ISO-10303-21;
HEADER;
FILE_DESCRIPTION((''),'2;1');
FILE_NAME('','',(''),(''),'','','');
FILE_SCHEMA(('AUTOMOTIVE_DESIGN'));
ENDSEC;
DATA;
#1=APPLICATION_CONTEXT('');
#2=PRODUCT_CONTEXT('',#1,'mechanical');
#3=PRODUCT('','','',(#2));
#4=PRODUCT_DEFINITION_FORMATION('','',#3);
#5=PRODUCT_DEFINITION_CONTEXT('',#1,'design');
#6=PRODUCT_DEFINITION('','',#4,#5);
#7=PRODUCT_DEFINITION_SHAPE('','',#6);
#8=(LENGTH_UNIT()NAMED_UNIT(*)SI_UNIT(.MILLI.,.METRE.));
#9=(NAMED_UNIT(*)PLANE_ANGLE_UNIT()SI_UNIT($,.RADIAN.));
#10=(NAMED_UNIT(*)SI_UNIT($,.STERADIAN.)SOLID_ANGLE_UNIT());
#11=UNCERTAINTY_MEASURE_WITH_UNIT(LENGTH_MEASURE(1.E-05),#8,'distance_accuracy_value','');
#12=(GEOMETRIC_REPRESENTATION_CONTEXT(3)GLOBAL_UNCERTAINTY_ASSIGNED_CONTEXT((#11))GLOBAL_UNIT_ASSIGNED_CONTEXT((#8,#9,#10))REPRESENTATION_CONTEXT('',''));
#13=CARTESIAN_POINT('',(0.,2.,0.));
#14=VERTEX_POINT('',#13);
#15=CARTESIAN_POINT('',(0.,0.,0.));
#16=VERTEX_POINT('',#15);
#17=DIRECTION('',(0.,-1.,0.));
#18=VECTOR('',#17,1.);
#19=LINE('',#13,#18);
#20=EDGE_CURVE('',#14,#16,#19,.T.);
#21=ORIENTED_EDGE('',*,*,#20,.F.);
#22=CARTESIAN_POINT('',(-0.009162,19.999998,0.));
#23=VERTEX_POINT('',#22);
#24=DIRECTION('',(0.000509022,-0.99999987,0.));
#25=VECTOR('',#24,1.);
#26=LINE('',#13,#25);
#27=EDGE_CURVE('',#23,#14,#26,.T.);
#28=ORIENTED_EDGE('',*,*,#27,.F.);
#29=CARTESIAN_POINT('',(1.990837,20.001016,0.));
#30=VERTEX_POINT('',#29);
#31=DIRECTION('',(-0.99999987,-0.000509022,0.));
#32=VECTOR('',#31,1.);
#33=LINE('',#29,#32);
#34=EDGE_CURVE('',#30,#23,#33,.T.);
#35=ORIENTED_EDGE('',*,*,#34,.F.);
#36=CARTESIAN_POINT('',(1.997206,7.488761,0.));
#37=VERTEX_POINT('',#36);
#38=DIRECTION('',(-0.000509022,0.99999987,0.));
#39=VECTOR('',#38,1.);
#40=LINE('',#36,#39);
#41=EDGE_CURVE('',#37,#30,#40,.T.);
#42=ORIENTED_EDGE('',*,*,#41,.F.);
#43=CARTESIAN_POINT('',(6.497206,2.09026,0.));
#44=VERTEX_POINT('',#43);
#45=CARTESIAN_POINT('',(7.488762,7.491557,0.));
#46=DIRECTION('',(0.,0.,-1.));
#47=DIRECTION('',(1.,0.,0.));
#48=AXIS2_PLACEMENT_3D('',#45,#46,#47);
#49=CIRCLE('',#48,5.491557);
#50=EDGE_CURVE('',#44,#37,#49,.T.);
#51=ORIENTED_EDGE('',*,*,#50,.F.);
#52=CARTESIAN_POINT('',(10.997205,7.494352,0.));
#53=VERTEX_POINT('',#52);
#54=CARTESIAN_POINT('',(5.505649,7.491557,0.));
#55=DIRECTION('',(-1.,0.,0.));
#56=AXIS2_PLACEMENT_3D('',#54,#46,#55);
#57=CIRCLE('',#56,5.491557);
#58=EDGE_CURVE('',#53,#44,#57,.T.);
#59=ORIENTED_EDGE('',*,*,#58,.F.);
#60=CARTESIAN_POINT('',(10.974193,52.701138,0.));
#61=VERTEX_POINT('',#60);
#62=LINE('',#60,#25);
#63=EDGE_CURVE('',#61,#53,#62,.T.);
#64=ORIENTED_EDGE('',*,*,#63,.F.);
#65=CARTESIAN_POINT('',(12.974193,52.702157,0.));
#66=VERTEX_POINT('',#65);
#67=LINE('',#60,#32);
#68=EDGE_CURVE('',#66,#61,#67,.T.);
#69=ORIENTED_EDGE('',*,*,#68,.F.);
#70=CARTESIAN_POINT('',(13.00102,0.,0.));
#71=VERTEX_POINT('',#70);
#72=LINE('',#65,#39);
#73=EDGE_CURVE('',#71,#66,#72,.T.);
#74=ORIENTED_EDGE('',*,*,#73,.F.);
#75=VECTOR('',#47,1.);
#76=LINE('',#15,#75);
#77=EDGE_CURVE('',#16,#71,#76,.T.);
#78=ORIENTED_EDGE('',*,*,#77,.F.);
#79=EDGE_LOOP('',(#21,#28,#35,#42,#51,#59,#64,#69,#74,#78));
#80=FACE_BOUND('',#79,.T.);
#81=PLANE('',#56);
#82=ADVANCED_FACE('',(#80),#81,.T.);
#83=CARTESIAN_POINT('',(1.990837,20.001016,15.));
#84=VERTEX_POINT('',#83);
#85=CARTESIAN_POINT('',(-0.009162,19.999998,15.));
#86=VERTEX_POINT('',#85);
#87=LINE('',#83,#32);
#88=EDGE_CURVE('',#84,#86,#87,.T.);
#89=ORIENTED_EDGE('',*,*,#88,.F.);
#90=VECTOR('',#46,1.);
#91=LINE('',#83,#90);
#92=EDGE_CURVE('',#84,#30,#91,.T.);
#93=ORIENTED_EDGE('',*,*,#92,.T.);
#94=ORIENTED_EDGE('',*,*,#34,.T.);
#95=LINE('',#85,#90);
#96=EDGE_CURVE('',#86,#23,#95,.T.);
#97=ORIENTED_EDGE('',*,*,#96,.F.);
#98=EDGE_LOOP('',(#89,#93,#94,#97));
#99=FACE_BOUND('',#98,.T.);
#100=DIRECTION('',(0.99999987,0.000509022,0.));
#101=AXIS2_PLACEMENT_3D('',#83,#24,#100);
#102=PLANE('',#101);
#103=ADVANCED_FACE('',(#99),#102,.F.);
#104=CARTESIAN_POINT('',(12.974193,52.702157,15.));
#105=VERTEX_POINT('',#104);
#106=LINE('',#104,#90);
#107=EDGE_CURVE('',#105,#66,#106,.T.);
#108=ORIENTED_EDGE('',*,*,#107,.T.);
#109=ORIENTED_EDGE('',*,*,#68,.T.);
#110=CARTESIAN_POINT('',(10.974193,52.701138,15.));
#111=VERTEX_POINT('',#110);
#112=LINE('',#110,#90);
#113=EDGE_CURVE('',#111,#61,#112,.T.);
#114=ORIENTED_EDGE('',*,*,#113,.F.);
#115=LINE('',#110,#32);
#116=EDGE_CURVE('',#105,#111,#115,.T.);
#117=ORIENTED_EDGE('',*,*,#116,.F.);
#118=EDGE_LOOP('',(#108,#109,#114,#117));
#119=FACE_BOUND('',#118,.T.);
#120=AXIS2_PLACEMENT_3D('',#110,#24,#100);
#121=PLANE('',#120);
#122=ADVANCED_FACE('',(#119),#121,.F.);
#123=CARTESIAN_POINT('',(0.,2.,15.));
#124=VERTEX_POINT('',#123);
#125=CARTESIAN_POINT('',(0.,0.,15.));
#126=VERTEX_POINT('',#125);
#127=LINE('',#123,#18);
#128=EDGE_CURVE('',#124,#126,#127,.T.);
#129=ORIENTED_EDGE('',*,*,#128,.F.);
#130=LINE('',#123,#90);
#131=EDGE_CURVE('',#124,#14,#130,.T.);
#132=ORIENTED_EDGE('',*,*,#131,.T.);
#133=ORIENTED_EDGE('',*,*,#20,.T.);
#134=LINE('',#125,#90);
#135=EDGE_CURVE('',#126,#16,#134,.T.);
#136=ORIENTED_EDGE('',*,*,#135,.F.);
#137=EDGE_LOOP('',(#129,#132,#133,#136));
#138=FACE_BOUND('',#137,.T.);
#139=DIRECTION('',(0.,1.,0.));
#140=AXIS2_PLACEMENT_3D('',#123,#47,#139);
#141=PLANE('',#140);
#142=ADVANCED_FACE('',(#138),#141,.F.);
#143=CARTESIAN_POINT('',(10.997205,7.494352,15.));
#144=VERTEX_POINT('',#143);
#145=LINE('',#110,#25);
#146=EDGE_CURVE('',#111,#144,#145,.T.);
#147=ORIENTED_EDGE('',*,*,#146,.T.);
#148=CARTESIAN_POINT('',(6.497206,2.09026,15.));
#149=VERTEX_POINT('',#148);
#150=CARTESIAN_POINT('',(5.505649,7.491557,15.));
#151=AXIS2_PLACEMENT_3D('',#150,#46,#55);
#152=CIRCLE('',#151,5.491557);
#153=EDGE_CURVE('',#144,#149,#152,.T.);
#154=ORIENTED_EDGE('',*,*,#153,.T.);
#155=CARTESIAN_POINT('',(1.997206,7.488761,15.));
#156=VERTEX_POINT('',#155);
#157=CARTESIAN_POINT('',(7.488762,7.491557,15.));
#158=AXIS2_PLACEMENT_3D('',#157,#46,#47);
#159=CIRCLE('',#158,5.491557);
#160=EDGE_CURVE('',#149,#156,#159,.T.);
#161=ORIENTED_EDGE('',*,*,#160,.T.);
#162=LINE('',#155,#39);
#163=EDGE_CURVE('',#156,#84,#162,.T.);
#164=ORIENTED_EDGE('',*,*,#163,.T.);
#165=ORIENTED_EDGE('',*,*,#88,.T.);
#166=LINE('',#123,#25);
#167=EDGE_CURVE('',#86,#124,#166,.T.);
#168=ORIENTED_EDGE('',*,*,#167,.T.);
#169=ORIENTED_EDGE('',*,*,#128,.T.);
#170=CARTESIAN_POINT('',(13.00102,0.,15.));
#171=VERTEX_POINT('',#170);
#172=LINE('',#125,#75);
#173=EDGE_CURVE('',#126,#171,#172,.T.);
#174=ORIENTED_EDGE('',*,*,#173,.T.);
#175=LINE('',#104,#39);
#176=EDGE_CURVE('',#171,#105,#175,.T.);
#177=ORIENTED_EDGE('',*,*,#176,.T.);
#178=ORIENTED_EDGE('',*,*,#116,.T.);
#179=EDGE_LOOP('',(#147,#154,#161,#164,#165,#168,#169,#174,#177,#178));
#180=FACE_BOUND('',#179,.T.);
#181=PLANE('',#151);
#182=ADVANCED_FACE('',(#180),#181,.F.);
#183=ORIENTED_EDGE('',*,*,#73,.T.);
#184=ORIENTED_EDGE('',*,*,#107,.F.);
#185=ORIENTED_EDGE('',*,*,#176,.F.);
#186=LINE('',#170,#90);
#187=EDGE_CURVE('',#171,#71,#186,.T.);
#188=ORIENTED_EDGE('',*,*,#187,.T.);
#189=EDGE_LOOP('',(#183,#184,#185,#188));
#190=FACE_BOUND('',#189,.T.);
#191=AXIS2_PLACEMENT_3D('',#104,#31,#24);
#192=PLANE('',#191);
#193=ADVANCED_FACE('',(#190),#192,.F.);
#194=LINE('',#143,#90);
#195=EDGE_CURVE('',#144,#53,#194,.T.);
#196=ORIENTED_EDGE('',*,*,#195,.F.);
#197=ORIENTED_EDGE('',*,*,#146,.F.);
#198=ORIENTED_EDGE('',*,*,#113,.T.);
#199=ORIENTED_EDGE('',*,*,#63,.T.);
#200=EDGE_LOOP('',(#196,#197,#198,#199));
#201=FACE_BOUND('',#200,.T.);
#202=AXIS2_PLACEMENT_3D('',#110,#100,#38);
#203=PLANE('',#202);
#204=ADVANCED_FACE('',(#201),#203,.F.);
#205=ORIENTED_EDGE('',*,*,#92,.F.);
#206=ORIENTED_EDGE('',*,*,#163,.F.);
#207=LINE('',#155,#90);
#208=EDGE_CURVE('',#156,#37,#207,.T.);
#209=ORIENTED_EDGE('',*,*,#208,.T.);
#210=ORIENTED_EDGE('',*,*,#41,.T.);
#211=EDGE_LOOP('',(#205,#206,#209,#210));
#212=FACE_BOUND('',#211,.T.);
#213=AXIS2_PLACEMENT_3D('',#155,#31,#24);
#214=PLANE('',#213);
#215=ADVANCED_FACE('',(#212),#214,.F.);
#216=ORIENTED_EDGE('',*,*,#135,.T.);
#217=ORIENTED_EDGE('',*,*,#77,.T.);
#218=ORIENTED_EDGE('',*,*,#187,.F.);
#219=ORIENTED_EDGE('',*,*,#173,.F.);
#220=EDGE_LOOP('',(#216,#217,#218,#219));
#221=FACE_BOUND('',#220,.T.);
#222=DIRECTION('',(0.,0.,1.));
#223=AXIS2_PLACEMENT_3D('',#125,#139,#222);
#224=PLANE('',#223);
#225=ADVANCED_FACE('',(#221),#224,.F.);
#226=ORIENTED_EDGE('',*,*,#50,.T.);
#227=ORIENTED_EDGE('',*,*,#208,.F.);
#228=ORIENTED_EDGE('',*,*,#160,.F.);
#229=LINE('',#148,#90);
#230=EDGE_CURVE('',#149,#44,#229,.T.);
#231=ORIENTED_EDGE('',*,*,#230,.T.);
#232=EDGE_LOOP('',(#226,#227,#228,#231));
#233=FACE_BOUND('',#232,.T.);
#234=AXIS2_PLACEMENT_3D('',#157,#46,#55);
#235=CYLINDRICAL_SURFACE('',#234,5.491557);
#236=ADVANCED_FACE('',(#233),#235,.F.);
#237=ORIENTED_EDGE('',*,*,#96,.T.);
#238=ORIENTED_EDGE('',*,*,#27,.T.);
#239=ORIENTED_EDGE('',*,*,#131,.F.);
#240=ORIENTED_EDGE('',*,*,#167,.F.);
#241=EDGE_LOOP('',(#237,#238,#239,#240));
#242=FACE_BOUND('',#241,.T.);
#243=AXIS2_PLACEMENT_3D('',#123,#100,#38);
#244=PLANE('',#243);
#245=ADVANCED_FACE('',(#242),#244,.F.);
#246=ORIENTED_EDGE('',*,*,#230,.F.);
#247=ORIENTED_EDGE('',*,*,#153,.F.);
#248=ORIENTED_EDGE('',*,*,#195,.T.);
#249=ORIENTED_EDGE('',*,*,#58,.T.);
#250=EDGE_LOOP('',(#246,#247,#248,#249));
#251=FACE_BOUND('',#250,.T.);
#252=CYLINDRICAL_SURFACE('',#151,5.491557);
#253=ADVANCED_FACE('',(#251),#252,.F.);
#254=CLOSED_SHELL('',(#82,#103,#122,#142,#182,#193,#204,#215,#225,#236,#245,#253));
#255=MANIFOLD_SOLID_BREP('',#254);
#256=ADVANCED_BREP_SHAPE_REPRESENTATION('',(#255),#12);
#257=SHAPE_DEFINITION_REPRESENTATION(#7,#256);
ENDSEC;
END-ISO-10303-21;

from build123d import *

# Parameters (mm, degrees)
BOSS_EXTRUDE1_DEPTH = 15


with BuildPart() as part:
    # Sketch1 → Boss-Extrude1 (new body)
    with BuildSketch(Plane.XY):
        with BuildLine():
            Line((0, 0), (13.001019729, 0))
            Line((13.001019729, 0), (12.974193154, 52.70215653))
            Line((12.974193154, 52.70215653), (10.974193413, 52.701138486))
            Line((10.974193413, 52.701138486), (10.997204677, 7.494352092))
            ThreePointArc((10.997204677, 7.494352092), (9.725689165, 3.977520123), (6.497205517, 2.090259641))
            ThreePointArc((6.497205517, 2.090259641), (3.270511139, 3.975372484), (1.997206357, 7.488761443))
            Line((1.997206357, 7.488761443), (1.99083734, 20.001015713))
            Line((1.99083734, 20.001015713), (-0.009162401, 19.999997668))
            Line((-0.009162401, 19.999997668), (0, 2))
            Line((0, 2), (0, 0))
        make_face()
    extrude(amount=BOSS_EXTRUDE1_DEPTH)


solid = part.part
